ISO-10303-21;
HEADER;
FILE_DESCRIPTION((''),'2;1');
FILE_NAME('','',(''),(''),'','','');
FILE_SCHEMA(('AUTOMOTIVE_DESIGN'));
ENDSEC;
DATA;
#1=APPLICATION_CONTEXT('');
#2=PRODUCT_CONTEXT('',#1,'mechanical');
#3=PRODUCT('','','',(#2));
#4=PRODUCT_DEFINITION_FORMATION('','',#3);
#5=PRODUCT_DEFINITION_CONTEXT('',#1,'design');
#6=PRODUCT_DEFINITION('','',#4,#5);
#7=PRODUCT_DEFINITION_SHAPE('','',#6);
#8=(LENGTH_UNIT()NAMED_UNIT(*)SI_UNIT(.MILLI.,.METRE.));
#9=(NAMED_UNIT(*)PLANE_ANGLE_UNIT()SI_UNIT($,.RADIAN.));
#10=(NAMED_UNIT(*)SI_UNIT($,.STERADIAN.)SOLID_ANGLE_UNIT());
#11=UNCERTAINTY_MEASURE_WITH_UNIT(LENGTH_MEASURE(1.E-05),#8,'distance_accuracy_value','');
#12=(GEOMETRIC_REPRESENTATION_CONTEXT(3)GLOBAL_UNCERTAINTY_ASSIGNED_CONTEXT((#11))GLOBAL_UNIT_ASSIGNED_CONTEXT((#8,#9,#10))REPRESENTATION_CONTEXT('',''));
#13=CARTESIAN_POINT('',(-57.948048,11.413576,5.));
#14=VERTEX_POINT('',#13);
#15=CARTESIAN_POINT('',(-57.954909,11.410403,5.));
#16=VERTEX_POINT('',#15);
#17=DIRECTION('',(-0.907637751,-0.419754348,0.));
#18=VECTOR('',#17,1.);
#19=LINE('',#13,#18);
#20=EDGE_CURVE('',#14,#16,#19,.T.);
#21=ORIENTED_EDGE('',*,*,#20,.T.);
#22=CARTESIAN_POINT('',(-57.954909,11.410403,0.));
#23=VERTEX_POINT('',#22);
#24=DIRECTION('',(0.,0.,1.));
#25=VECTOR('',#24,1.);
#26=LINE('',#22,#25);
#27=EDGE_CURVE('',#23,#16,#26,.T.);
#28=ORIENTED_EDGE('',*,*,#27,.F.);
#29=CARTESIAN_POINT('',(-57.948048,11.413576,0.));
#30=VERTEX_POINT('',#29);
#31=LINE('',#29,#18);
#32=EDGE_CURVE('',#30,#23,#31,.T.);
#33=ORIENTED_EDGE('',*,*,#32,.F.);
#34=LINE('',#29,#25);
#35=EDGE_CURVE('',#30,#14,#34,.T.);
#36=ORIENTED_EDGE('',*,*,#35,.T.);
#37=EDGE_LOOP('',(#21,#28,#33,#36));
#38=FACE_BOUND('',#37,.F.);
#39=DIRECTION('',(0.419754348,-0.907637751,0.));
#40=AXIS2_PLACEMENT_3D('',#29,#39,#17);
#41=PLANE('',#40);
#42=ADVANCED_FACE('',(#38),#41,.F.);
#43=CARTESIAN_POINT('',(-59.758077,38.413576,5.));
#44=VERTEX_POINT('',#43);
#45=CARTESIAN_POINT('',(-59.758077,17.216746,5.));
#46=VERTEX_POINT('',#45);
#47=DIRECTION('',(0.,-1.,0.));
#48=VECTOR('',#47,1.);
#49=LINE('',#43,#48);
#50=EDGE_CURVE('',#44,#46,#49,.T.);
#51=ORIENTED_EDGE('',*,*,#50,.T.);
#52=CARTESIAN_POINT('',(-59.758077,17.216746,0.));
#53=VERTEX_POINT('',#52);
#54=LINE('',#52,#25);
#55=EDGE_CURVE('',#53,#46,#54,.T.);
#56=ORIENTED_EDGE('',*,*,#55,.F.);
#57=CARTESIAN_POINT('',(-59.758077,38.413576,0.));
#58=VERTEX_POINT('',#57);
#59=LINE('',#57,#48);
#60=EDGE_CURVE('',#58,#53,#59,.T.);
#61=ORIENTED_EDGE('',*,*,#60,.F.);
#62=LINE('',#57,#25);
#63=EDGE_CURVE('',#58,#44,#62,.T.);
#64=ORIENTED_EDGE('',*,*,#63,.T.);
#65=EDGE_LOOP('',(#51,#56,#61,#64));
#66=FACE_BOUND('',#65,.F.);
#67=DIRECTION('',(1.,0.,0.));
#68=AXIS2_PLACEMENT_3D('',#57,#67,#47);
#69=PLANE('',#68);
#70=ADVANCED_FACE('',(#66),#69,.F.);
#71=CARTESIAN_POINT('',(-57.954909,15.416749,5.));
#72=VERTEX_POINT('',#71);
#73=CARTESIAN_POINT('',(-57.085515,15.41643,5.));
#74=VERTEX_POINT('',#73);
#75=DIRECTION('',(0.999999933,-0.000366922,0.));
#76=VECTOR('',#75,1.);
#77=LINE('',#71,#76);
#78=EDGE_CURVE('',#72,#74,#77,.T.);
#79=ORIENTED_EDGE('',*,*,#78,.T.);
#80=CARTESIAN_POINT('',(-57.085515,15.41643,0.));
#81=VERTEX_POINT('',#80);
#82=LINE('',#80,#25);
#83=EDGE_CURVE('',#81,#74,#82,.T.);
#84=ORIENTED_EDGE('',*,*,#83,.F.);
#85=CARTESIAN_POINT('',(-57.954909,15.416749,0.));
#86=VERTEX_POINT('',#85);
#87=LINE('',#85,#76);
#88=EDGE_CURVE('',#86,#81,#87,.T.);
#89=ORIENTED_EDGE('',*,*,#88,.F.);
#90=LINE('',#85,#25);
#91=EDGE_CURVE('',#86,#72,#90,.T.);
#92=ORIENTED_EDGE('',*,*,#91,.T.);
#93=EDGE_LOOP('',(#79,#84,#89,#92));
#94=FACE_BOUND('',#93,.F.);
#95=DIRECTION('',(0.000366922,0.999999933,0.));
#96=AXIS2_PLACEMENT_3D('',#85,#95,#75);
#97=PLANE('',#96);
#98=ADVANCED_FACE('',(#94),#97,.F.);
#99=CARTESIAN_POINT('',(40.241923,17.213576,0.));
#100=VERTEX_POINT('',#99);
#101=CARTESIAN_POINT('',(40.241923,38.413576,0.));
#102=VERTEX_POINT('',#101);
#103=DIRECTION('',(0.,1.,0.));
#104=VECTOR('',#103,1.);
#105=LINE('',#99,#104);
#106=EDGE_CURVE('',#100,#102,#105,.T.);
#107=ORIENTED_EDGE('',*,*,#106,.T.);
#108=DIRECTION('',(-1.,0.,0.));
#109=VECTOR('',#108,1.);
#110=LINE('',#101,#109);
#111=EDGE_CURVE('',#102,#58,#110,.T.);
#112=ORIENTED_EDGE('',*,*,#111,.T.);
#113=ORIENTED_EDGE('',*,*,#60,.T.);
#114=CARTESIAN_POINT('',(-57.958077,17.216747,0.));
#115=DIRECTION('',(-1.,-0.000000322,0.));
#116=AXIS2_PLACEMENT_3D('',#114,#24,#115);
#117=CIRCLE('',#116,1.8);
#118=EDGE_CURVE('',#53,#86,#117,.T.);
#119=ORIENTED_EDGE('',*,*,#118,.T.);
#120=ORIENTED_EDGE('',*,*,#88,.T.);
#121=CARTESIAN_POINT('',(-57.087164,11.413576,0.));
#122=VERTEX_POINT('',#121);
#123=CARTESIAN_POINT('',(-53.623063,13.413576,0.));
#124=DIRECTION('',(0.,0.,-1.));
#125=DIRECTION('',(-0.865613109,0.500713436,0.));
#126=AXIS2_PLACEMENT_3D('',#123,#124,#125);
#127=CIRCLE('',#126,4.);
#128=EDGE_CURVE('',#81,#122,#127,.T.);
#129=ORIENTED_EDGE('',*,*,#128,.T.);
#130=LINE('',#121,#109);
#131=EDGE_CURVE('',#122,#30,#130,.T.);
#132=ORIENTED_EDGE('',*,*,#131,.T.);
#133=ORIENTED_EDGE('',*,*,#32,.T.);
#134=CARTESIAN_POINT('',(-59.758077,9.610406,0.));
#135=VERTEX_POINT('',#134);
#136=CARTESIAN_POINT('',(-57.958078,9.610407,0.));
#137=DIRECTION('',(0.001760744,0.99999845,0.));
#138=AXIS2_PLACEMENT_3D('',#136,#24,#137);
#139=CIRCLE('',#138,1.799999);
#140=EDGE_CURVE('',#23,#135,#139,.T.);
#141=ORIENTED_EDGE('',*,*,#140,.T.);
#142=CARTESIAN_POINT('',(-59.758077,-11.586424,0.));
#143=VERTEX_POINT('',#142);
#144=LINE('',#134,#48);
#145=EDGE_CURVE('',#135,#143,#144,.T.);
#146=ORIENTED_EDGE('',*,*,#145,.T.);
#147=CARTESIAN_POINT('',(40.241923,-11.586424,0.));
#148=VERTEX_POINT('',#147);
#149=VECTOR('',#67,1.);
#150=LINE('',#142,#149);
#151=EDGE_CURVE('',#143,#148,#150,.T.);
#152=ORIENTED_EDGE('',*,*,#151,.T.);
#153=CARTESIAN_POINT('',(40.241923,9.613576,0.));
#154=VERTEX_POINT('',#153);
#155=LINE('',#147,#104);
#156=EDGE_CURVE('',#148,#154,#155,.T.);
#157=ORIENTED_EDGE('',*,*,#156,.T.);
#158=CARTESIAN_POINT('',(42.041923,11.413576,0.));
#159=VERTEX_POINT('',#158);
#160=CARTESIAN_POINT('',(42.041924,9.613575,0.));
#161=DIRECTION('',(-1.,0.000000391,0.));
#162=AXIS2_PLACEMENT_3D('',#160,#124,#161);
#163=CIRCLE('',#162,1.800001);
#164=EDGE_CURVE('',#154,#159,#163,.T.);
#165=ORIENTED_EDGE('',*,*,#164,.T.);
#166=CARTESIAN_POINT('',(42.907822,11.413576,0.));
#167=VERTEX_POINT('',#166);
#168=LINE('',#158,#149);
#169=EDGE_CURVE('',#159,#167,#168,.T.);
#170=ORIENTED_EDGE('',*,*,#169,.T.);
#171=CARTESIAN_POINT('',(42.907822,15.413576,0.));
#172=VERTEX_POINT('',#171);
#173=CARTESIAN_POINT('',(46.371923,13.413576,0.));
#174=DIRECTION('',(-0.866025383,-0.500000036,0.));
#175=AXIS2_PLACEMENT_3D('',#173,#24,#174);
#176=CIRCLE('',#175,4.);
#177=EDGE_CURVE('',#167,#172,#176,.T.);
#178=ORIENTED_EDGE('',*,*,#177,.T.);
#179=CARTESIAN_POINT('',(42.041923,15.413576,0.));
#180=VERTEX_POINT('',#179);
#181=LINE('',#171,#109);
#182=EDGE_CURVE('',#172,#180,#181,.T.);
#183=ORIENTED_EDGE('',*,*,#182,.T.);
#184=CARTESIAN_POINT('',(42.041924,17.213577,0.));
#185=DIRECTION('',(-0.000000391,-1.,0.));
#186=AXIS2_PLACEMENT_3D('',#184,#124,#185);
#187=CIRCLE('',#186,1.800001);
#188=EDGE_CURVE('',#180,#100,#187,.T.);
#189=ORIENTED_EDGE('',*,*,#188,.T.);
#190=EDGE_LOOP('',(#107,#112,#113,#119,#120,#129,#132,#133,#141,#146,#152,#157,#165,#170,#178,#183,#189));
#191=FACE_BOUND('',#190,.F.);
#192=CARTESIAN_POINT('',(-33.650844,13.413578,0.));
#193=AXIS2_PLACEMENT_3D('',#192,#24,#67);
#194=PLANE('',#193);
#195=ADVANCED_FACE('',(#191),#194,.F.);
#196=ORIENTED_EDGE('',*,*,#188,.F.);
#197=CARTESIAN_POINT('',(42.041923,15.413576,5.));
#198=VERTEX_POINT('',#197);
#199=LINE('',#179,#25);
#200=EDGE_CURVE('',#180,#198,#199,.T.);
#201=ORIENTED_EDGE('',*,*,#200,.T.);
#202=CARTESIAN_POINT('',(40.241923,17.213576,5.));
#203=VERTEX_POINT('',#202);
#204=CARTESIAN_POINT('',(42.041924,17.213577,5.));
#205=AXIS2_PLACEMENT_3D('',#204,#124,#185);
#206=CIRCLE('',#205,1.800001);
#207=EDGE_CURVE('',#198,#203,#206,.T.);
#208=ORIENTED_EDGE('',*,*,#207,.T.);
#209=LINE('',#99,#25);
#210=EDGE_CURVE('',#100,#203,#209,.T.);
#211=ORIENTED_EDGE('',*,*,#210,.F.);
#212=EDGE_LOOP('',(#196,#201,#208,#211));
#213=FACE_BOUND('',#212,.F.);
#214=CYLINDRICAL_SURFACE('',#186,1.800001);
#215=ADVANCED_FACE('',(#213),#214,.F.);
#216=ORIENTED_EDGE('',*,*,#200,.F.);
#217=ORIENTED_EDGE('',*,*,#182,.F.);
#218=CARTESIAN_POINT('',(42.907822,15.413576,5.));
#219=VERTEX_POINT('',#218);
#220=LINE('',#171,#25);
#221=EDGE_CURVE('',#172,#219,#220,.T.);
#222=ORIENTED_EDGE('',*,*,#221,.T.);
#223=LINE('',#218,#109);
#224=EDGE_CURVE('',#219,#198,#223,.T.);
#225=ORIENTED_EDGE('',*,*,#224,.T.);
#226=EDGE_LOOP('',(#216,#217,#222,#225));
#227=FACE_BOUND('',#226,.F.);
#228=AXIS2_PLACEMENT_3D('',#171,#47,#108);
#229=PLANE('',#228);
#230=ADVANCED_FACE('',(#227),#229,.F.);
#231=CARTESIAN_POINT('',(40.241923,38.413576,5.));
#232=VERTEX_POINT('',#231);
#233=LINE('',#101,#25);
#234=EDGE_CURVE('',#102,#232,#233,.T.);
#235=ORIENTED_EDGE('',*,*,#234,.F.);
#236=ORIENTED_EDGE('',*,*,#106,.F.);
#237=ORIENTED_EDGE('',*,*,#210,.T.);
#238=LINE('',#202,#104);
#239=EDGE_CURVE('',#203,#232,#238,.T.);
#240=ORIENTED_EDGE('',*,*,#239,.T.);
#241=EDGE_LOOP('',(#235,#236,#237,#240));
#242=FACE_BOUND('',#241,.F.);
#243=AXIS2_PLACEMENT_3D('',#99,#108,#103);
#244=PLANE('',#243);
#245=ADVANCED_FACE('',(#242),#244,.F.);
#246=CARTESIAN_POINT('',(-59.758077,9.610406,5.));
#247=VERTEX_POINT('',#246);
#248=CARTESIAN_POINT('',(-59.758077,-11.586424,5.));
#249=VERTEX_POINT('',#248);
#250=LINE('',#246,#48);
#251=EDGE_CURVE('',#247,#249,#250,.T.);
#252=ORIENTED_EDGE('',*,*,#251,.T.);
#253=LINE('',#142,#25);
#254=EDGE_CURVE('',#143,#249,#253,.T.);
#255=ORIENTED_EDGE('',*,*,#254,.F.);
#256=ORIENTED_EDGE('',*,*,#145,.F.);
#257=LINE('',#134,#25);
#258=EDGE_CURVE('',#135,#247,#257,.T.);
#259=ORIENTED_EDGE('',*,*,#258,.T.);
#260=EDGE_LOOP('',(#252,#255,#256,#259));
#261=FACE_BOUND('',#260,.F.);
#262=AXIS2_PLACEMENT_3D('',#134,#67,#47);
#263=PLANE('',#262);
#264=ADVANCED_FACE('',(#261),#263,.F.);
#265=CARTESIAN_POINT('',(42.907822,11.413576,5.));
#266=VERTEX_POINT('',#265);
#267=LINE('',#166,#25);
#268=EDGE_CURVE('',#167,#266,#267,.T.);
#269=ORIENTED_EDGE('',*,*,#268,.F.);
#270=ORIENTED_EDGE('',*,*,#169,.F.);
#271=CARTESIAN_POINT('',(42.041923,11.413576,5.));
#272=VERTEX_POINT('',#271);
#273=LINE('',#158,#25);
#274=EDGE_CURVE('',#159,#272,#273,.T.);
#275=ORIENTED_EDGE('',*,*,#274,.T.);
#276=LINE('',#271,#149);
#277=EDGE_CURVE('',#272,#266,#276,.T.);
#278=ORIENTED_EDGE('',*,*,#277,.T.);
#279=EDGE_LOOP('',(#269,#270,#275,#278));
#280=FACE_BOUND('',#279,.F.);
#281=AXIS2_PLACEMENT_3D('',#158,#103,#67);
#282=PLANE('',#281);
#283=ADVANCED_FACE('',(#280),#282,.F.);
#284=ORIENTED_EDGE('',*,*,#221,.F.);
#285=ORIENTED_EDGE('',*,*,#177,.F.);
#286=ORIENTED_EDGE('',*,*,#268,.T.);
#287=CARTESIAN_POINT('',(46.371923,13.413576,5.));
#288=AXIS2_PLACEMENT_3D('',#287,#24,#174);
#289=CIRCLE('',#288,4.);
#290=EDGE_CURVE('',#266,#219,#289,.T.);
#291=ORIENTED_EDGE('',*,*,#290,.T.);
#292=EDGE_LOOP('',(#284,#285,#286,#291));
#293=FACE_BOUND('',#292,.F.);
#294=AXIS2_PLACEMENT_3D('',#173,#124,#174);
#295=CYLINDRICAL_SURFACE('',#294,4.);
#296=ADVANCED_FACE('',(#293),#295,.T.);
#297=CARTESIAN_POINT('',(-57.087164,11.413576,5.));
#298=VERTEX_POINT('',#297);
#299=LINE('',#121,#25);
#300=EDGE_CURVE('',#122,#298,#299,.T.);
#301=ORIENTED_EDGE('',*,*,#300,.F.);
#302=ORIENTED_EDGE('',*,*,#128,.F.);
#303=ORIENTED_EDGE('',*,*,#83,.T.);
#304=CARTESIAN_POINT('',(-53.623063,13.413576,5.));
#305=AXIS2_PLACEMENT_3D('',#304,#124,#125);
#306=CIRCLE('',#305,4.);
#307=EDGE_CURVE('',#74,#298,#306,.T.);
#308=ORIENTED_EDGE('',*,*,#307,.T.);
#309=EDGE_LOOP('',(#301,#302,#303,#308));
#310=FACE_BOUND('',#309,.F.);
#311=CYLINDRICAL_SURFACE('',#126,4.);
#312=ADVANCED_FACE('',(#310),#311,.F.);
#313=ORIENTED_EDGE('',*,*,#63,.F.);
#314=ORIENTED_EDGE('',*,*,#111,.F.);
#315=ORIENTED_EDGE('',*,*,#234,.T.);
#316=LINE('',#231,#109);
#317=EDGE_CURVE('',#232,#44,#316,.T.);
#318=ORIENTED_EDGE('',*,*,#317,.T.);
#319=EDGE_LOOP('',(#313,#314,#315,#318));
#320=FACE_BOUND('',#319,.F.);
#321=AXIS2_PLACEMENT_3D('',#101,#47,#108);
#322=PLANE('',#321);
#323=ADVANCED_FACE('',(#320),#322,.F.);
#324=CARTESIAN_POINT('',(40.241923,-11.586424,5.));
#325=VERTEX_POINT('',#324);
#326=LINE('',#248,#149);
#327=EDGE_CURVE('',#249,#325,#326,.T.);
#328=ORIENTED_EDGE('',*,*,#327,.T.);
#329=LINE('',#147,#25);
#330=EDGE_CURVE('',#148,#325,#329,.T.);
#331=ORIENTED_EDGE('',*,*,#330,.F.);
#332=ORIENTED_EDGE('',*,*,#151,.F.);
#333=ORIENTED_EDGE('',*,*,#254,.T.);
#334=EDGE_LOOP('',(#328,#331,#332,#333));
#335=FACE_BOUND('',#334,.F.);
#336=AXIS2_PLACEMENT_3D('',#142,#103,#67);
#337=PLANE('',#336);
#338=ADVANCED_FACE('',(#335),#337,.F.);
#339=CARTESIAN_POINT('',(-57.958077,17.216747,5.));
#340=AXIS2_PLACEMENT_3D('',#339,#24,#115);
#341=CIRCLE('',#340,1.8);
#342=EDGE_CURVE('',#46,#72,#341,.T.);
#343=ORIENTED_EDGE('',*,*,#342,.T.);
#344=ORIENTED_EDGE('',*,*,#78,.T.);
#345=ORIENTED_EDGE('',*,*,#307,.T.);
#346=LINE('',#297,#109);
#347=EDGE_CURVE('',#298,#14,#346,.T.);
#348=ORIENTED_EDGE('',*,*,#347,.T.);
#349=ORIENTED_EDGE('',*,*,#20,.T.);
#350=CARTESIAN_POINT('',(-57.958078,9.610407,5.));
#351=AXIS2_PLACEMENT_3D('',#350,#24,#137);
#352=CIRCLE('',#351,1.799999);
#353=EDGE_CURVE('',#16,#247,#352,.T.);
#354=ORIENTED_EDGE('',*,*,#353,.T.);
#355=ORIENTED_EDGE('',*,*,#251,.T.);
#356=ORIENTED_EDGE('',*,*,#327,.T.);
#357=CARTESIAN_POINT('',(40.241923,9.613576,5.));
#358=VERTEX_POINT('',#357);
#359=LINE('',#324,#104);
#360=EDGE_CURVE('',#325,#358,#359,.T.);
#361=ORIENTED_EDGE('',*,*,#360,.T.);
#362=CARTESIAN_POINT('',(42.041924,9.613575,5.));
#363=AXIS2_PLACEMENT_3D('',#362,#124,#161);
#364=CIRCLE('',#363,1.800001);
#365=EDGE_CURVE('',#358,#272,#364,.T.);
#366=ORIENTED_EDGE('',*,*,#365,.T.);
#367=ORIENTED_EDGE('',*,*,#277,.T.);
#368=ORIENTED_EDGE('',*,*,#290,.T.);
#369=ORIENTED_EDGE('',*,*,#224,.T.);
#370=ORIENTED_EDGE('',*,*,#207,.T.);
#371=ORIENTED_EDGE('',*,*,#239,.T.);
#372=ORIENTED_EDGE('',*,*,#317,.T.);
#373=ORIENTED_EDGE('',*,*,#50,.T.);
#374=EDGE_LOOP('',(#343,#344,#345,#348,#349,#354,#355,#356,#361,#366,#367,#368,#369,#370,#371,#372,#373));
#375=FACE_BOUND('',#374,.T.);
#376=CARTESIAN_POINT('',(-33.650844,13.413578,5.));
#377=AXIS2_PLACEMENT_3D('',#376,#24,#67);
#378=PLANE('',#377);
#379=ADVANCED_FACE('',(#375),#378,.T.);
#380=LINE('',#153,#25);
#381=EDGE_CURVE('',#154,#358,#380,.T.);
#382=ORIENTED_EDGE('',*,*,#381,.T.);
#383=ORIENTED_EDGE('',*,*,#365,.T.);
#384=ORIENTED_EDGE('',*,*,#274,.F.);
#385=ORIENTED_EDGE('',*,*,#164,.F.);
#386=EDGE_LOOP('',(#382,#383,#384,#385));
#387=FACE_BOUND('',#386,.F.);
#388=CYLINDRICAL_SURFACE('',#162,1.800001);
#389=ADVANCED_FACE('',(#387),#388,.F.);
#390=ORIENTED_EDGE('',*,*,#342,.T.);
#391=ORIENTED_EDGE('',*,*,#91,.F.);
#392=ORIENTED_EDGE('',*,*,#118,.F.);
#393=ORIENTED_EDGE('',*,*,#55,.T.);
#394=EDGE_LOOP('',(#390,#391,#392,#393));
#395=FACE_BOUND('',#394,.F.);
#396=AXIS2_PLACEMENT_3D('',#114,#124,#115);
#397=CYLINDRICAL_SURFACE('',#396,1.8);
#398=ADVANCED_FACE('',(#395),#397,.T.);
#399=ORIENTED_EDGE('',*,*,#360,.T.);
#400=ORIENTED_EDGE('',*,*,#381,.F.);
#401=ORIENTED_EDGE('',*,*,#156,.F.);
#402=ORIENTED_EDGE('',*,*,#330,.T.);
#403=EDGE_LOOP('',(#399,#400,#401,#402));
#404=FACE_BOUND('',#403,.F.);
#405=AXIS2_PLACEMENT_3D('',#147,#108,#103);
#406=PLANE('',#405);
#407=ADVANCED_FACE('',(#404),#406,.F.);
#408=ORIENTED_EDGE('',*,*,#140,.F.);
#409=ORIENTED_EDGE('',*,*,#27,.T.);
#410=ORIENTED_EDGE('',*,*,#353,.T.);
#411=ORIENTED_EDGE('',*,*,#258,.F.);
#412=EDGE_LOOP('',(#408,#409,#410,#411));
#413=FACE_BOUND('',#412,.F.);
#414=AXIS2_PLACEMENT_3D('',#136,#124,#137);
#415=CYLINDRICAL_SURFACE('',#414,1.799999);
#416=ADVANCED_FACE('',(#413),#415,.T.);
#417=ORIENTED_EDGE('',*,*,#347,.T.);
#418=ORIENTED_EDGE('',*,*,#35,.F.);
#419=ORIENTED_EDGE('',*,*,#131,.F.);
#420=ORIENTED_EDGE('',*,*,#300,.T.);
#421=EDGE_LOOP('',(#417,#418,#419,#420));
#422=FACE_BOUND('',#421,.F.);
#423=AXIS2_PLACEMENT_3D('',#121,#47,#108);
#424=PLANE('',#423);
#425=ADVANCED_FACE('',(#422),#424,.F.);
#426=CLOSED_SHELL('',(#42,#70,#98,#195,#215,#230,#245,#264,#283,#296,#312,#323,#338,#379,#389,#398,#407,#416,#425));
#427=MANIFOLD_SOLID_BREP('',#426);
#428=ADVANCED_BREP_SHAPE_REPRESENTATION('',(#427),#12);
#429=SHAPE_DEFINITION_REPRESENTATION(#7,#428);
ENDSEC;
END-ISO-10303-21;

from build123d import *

# Parameters (mm, degrees)
F1_DEPTH = 5


with BuildPart() as f1:
    # F0 (on Top) → F1 (new body)
    with BuildSketch(Plane.XY):
        with BuildLine():
            Line((-9.758077, 38.413576), (-59.758077, 38.413576))
            Line((-59.758077, 38.413576), (-59.758077, 19.413576))
            Line((-59.758077, 19.413576), (-59.758077, 17.216746))
            ThreePointArc((-59.758077, 17.216746), (-59.229749, 15.942835), (-57.954909, 15.416749))
            Line((-57.954909, 15.416749), (-57.085515, 15.41643))
            ThreePointArc((-57.085515, 15.41643), (-49.623063, 13.411928), (-57.087164, 11.413576))
            Line((-57.087164, 11.413576), (-57.948048, 11.413576))
            Line((-57.948048, 11.413576), (-57.954909, 11.410403))
            ThreePointArc((-57.954909, 11.410403), (-59.229749, 10.884318), (-59.758077, 9.610406))
            Line((-59.758077, 9.610406), (-59.758077, 7.413576))
            Line((-59.758077, 7.413576), (-59.758077, -11.586424))
            Line((-59.758077, -11.586424), (-9.758077, -11.586424))
            Line((-9.758077, -11.586424), (-9.758077, 7.413576))
            Line((-9.758077, 7.413576), (-9.758077, 9.610406))
            ThreePointArc((-9.758077, 9.610406), (-9.229749, 10.884318), (-7.954909, 11.410403))
            Line((-7.954909, 11.410403), (-7.948048, 11.413576))
            Line((-7.948048, 11.413576), (-7.087164, 11.413576))
            ThreePointArc((-7.087164, 11.413576), (0.376937, 13.411928), (-7.085515, 15.41643))
            Line((-7.085515, 15.41643), (-7.954909, 15.416749))
            ThreePointArc((-7.954909, 15.416749), (-9.229749, 15.942835), (-9.758077, 17.216746))
            Line((-9.758077, 17.216746), (-9.758077, 19.413576))
            Line((-9.758077, 19.413576), (-9.758077, 38.413576))
        make_face()
        with BuildLine():
            Line((40.241923, 38.413576), (-9.758077, 38.413576))
            Line((-9.758077, 38.413576), (-9.758077, 19.413576))
            Line((-9.758077, 19.413576), (-9.758077, 17.216746))
            ThreePointArc((-9.758077, 17.216746), (-9.229749, 15.942835), (-7.954909, 15.416749))
            Line((-7.954909, 15.416749), (-7.085515, 15.41643))
            ThreePointArc((-7.085515, 15.41643), (0.376937, 13.411928), (-7.087164, 11.413576))
            Line((-7.087164, 11.413576), (-7.948048, 11.413576))
            Line((-7.948048, 11.413576), (-7.954909, 11.410403))
            ThreePointArc((-7.954909, 11.410403), (-9.229749, 10.884318), (-9.758077, 9.610406))
            Line((-9.758077, 9.610406), (-9.758077, 7.413576))
            Line((-9.758077, 7.413576), (-9.758077, -11.586424))
            Line((-9.758077, -11.586424), (40.241923, -11.586424))
            Line((40.241923, -11.586424), (40.241923, 9.613576))
            ThreePointArc((40.241923, 9.613576), (40.769131, 10.886368), (42.041923, 11.413576))
            Line((42.041923, 11.413576), (42.907822, 11.413576))
            ThreePointArc((42.907822, 11.413576), (50.371923, 13.413576), (42.907822, 15.413576))
            Line((42.907822, 15.413576), (42.041923, 15.413576))
            ThreePointArc((42.041923, 15.413576), (40.769131, 15.940784), (40.241923, 17.213576))
            Line((40.241923, 17.213576), (40.241923, 38.413576))
        make_face()
    extrude(amount=F1_DEPTH)


solid = f1.part
